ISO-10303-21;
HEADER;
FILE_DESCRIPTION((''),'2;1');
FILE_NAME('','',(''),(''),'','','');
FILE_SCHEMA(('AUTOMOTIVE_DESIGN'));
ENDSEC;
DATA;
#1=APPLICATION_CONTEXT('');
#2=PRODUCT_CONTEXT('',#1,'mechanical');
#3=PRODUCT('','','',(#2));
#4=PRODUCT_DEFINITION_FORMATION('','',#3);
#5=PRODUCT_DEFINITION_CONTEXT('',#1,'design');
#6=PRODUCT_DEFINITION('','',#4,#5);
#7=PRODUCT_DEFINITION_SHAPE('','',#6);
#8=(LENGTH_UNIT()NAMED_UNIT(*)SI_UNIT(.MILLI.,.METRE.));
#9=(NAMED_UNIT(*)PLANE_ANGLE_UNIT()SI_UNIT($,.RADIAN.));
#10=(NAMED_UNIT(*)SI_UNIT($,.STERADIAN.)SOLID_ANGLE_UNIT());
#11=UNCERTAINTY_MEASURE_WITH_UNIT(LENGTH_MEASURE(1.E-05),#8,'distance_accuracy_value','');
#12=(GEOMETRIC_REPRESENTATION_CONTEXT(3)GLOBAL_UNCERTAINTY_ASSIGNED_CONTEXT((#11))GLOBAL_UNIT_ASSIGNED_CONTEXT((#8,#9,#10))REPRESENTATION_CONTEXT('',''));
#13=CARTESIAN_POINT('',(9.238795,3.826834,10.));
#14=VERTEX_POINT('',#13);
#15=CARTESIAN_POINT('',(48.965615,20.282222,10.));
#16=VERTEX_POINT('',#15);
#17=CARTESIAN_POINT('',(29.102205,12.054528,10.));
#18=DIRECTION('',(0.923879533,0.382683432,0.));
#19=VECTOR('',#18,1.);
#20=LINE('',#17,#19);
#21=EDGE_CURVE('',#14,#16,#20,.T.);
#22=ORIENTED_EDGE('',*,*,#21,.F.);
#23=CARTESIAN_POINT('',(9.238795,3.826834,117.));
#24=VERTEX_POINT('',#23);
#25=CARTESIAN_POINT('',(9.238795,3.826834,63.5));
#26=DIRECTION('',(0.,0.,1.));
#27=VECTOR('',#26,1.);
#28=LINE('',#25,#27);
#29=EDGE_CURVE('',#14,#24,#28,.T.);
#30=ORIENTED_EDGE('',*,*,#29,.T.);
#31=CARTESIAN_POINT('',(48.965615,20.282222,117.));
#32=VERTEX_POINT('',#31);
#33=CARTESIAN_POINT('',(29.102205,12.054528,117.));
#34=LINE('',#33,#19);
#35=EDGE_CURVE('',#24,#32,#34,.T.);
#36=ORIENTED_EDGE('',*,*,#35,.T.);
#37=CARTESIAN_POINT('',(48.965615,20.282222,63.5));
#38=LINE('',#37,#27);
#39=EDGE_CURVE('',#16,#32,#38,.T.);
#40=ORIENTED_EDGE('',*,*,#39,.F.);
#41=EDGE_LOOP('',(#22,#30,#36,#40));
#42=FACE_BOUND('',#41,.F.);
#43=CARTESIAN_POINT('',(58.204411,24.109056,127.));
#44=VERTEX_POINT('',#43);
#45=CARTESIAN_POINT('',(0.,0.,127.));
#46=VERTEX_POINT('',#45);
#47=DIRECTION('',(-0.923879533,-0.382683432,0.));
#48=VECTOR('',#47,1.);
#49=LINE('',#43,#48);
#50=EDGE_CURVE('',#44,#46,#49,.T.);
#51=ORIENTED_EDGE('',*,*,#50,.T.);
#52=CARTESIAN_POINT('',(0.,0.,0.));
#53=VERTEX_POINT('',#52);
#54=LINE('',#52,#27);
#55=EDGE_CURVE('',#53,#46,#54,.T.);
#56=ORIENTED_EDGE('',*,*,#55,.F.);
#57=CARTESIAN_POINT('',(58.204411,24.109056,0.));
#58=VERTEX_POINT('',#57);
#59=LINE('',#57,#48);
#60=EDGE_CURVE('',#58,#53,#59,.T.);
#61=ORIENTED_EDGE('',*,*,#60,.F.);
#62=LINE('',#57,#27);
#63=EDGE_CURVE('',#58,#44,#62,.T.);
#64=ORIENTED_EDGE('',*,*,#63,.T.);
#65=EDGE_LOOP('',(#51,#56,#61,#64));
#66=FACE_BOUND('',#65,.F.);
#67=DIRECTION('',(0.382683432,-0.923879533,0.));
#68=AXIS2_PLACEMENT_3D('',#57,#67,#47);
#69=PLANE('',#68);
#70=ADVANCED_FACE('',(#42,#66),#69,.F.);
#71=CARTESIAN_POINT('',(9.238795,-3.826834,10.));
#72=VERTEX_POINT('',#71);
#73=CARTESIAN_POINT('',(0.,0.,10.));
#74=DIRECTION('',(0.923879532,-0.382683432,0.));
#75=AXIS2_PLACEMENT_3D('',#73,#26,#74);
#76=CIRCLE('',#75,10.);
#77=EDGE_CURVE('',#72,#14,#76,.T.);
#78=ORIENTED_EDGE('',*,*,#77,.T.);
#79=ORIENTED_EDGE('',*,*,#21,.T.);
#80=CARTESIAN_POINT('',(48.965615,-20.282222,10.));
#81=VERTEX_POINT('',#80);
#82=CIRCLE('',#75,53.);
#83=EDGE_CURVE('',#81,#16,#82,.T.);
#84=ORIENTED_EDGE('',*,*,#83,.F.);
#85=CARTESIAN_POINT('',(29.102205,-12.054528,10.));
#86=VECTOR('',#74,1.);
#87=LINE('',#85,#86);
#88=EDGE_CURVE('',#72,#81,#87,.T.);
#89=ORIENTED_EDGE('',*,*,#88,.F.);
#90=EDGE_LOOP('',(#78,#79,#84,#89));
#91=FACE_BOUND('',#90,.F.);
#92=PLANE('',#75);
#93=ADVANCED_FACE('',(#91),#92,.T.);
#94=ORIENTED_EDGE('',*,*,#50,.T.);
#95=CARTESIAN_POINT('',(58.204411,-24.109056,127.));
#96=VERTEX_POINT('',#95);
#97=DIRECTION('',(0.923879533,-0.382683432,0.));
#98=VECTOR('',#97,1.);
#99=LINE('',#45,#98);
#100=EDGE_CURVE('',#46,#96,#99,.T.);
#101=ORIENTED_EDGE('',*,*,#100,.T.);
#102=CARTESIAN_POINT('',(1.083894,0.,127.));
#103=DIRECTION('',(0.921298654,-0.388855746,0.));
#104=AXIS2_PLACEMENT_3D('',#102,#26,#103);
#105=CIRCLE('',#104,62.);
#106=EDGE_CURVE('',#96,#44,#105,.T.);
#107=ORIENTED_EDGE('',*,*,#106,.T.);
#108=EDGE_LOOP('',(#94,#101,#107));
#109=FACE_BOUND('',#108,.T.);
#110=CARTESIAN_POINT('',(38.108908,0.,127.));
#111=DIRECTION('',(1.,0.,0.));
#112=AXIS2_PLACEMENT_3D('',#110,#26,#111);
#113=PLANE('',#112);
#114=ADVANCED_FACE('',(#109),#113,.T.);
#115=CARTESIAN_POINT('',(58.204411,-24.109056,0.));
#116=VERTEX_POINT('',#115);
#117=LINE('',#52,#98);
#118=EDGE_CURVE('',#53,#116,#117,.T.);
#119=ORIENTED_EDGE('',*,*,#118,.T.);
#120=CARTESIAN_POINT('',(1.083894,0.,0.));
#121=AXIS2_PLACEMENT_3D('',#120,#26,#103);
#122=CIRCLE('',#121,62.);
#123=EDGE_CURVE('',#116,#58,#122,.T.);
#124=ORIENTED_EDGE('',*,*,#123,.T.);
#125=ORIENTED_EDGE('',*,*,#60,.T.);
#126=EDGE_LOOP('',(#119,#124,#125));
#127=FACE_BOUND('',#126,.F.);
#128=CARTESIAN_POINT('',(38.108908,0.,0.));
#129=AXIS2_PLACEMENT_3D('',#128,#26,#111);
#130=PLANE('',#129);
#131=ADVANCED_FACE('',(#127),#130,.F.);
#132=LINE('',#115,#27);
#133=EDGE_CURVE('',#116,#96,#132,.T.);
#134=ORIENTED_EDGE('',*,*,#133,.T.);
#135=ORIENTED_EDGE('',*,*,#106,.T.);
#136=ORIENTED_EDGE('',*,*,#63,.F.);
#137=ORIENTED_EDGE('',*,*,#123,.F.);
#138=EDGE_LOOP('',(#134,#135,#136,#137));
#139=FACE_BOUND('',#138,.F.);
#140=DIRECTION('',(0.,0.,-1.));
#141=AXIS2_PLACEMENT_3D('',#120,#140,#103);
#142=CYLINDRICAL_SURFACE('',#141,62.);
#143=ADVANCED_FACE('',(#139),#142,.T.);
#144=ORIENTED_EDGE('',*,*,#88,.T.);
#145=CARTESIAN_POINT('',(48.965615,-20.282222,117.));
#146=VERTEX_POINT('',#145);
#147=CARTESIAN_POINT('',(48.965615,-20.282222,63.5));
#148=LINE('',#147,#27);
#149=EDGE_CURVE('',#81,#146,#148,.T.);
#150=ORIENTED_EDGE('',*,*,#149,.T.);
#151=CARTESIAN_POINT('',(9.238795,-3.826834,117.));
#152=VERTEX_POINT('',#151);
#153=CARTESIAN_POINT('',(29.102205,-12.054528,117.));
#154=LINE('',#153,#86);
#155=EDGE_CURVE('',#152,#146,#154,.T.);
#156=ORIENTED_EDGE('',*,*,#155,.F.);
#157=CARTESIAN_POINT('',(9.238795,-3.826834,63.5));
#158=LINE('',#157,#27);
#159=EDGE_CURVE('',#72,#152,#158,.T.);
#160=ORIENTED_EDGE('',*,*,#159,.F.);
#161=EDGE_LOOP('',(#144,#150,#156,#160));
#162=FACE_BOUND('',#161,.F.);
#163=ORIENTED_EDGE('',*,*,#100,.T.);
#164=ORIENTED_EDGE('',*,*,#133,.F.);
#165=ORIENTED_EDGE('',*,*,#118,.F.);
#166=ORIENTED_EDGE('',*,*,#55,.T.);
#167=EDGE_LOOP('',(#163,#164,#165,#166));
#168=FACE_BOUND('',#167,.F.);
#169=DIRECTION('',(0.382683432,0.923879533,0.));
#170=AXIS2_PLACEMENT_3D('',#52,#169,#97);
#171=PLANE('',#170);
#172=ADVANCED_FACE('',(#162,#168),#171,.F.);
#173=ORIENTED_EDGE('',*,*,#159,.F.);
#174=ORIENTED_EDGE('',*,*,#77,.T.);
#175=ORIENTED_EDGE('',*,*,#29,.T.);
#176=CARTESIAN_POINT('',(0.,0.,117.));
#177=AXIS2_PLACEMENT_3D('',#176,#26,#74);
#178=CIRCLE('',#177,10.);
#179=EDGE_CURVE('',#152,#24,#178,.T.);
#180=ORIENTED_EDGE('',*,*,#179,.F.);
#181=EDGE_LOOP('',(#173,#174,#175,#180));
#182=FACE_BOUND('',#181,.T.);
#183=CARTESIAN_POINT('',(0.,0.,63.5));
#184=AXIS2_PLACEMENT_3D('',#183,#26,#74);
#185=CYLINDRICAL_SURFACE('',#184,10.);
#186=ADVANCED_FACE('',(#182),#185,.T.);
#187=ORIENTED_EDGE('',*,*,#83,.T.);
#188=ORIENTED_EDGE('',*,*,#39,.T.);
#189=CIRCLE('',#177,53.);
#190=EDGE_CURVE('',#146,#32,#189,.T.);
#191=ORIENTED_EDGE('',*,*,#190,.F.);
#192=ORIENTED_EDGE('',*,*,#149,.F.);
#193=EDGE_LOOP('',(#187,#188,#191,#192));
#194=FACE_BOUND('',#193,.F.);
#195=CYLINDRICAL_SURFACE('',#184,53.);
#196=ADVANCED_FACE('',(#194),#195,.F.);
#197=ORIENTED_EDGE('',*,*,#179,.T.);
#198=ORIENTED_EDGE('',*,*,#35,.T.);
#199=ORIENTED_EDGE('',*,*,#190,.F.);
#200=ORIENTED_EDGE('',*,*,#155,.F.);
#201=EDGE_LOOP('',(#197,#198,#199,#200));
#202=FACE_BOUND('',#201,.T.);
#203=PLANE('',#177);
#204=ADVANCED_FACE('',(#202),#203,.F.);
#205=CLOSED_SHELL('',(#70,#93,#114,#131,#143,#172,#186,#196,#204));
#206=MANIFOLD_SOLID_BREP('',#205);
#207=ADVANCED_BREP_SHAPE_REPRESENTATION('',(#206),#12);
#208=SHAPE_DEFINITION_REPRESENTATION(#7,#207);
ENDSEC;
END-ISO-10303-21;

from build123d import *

# Parameters (mm, degrees)
F1_DEPTH = 127
F2_W     = 43.000000447
F2_H     = 107.000000447
F3_ANGLE = 85


with BuildPart() as f1:
    # F0 (on Top) → F1 (new body)
    with BuildSketch(Plane.XY):
        with BuildLine():
            Line((58.2044105482, 24.109056239), (0, 0))
            Line((0, 0), (58.2044105482, -24.109056239))
            ThreePointArc((58.2044105482, -24.109056239), (63.0838940304, 0), (58.2044105482, 24.109056239))
        make_face()
    extrude(amount=F1_DEPTH)

    # F2 (on face) → F3 (revolve, cut)
    with BuildSketch(Plane(origin=(0, 0, 0), x_dir=(0.9238795325, -0.3826834324, 0), z_dir=(-0.3826834324, -0.9238795325, 0))):
        with Locations((31.5, 63.5)):
            Rectangle(F2_W, F2_H)
    revolve(axis=Axis((0, 0, 63.5), (0, 0, 1)), revolution_arc=F3_ANGLE, mode=Mode.SUBTRACT)


solid = f1.part
